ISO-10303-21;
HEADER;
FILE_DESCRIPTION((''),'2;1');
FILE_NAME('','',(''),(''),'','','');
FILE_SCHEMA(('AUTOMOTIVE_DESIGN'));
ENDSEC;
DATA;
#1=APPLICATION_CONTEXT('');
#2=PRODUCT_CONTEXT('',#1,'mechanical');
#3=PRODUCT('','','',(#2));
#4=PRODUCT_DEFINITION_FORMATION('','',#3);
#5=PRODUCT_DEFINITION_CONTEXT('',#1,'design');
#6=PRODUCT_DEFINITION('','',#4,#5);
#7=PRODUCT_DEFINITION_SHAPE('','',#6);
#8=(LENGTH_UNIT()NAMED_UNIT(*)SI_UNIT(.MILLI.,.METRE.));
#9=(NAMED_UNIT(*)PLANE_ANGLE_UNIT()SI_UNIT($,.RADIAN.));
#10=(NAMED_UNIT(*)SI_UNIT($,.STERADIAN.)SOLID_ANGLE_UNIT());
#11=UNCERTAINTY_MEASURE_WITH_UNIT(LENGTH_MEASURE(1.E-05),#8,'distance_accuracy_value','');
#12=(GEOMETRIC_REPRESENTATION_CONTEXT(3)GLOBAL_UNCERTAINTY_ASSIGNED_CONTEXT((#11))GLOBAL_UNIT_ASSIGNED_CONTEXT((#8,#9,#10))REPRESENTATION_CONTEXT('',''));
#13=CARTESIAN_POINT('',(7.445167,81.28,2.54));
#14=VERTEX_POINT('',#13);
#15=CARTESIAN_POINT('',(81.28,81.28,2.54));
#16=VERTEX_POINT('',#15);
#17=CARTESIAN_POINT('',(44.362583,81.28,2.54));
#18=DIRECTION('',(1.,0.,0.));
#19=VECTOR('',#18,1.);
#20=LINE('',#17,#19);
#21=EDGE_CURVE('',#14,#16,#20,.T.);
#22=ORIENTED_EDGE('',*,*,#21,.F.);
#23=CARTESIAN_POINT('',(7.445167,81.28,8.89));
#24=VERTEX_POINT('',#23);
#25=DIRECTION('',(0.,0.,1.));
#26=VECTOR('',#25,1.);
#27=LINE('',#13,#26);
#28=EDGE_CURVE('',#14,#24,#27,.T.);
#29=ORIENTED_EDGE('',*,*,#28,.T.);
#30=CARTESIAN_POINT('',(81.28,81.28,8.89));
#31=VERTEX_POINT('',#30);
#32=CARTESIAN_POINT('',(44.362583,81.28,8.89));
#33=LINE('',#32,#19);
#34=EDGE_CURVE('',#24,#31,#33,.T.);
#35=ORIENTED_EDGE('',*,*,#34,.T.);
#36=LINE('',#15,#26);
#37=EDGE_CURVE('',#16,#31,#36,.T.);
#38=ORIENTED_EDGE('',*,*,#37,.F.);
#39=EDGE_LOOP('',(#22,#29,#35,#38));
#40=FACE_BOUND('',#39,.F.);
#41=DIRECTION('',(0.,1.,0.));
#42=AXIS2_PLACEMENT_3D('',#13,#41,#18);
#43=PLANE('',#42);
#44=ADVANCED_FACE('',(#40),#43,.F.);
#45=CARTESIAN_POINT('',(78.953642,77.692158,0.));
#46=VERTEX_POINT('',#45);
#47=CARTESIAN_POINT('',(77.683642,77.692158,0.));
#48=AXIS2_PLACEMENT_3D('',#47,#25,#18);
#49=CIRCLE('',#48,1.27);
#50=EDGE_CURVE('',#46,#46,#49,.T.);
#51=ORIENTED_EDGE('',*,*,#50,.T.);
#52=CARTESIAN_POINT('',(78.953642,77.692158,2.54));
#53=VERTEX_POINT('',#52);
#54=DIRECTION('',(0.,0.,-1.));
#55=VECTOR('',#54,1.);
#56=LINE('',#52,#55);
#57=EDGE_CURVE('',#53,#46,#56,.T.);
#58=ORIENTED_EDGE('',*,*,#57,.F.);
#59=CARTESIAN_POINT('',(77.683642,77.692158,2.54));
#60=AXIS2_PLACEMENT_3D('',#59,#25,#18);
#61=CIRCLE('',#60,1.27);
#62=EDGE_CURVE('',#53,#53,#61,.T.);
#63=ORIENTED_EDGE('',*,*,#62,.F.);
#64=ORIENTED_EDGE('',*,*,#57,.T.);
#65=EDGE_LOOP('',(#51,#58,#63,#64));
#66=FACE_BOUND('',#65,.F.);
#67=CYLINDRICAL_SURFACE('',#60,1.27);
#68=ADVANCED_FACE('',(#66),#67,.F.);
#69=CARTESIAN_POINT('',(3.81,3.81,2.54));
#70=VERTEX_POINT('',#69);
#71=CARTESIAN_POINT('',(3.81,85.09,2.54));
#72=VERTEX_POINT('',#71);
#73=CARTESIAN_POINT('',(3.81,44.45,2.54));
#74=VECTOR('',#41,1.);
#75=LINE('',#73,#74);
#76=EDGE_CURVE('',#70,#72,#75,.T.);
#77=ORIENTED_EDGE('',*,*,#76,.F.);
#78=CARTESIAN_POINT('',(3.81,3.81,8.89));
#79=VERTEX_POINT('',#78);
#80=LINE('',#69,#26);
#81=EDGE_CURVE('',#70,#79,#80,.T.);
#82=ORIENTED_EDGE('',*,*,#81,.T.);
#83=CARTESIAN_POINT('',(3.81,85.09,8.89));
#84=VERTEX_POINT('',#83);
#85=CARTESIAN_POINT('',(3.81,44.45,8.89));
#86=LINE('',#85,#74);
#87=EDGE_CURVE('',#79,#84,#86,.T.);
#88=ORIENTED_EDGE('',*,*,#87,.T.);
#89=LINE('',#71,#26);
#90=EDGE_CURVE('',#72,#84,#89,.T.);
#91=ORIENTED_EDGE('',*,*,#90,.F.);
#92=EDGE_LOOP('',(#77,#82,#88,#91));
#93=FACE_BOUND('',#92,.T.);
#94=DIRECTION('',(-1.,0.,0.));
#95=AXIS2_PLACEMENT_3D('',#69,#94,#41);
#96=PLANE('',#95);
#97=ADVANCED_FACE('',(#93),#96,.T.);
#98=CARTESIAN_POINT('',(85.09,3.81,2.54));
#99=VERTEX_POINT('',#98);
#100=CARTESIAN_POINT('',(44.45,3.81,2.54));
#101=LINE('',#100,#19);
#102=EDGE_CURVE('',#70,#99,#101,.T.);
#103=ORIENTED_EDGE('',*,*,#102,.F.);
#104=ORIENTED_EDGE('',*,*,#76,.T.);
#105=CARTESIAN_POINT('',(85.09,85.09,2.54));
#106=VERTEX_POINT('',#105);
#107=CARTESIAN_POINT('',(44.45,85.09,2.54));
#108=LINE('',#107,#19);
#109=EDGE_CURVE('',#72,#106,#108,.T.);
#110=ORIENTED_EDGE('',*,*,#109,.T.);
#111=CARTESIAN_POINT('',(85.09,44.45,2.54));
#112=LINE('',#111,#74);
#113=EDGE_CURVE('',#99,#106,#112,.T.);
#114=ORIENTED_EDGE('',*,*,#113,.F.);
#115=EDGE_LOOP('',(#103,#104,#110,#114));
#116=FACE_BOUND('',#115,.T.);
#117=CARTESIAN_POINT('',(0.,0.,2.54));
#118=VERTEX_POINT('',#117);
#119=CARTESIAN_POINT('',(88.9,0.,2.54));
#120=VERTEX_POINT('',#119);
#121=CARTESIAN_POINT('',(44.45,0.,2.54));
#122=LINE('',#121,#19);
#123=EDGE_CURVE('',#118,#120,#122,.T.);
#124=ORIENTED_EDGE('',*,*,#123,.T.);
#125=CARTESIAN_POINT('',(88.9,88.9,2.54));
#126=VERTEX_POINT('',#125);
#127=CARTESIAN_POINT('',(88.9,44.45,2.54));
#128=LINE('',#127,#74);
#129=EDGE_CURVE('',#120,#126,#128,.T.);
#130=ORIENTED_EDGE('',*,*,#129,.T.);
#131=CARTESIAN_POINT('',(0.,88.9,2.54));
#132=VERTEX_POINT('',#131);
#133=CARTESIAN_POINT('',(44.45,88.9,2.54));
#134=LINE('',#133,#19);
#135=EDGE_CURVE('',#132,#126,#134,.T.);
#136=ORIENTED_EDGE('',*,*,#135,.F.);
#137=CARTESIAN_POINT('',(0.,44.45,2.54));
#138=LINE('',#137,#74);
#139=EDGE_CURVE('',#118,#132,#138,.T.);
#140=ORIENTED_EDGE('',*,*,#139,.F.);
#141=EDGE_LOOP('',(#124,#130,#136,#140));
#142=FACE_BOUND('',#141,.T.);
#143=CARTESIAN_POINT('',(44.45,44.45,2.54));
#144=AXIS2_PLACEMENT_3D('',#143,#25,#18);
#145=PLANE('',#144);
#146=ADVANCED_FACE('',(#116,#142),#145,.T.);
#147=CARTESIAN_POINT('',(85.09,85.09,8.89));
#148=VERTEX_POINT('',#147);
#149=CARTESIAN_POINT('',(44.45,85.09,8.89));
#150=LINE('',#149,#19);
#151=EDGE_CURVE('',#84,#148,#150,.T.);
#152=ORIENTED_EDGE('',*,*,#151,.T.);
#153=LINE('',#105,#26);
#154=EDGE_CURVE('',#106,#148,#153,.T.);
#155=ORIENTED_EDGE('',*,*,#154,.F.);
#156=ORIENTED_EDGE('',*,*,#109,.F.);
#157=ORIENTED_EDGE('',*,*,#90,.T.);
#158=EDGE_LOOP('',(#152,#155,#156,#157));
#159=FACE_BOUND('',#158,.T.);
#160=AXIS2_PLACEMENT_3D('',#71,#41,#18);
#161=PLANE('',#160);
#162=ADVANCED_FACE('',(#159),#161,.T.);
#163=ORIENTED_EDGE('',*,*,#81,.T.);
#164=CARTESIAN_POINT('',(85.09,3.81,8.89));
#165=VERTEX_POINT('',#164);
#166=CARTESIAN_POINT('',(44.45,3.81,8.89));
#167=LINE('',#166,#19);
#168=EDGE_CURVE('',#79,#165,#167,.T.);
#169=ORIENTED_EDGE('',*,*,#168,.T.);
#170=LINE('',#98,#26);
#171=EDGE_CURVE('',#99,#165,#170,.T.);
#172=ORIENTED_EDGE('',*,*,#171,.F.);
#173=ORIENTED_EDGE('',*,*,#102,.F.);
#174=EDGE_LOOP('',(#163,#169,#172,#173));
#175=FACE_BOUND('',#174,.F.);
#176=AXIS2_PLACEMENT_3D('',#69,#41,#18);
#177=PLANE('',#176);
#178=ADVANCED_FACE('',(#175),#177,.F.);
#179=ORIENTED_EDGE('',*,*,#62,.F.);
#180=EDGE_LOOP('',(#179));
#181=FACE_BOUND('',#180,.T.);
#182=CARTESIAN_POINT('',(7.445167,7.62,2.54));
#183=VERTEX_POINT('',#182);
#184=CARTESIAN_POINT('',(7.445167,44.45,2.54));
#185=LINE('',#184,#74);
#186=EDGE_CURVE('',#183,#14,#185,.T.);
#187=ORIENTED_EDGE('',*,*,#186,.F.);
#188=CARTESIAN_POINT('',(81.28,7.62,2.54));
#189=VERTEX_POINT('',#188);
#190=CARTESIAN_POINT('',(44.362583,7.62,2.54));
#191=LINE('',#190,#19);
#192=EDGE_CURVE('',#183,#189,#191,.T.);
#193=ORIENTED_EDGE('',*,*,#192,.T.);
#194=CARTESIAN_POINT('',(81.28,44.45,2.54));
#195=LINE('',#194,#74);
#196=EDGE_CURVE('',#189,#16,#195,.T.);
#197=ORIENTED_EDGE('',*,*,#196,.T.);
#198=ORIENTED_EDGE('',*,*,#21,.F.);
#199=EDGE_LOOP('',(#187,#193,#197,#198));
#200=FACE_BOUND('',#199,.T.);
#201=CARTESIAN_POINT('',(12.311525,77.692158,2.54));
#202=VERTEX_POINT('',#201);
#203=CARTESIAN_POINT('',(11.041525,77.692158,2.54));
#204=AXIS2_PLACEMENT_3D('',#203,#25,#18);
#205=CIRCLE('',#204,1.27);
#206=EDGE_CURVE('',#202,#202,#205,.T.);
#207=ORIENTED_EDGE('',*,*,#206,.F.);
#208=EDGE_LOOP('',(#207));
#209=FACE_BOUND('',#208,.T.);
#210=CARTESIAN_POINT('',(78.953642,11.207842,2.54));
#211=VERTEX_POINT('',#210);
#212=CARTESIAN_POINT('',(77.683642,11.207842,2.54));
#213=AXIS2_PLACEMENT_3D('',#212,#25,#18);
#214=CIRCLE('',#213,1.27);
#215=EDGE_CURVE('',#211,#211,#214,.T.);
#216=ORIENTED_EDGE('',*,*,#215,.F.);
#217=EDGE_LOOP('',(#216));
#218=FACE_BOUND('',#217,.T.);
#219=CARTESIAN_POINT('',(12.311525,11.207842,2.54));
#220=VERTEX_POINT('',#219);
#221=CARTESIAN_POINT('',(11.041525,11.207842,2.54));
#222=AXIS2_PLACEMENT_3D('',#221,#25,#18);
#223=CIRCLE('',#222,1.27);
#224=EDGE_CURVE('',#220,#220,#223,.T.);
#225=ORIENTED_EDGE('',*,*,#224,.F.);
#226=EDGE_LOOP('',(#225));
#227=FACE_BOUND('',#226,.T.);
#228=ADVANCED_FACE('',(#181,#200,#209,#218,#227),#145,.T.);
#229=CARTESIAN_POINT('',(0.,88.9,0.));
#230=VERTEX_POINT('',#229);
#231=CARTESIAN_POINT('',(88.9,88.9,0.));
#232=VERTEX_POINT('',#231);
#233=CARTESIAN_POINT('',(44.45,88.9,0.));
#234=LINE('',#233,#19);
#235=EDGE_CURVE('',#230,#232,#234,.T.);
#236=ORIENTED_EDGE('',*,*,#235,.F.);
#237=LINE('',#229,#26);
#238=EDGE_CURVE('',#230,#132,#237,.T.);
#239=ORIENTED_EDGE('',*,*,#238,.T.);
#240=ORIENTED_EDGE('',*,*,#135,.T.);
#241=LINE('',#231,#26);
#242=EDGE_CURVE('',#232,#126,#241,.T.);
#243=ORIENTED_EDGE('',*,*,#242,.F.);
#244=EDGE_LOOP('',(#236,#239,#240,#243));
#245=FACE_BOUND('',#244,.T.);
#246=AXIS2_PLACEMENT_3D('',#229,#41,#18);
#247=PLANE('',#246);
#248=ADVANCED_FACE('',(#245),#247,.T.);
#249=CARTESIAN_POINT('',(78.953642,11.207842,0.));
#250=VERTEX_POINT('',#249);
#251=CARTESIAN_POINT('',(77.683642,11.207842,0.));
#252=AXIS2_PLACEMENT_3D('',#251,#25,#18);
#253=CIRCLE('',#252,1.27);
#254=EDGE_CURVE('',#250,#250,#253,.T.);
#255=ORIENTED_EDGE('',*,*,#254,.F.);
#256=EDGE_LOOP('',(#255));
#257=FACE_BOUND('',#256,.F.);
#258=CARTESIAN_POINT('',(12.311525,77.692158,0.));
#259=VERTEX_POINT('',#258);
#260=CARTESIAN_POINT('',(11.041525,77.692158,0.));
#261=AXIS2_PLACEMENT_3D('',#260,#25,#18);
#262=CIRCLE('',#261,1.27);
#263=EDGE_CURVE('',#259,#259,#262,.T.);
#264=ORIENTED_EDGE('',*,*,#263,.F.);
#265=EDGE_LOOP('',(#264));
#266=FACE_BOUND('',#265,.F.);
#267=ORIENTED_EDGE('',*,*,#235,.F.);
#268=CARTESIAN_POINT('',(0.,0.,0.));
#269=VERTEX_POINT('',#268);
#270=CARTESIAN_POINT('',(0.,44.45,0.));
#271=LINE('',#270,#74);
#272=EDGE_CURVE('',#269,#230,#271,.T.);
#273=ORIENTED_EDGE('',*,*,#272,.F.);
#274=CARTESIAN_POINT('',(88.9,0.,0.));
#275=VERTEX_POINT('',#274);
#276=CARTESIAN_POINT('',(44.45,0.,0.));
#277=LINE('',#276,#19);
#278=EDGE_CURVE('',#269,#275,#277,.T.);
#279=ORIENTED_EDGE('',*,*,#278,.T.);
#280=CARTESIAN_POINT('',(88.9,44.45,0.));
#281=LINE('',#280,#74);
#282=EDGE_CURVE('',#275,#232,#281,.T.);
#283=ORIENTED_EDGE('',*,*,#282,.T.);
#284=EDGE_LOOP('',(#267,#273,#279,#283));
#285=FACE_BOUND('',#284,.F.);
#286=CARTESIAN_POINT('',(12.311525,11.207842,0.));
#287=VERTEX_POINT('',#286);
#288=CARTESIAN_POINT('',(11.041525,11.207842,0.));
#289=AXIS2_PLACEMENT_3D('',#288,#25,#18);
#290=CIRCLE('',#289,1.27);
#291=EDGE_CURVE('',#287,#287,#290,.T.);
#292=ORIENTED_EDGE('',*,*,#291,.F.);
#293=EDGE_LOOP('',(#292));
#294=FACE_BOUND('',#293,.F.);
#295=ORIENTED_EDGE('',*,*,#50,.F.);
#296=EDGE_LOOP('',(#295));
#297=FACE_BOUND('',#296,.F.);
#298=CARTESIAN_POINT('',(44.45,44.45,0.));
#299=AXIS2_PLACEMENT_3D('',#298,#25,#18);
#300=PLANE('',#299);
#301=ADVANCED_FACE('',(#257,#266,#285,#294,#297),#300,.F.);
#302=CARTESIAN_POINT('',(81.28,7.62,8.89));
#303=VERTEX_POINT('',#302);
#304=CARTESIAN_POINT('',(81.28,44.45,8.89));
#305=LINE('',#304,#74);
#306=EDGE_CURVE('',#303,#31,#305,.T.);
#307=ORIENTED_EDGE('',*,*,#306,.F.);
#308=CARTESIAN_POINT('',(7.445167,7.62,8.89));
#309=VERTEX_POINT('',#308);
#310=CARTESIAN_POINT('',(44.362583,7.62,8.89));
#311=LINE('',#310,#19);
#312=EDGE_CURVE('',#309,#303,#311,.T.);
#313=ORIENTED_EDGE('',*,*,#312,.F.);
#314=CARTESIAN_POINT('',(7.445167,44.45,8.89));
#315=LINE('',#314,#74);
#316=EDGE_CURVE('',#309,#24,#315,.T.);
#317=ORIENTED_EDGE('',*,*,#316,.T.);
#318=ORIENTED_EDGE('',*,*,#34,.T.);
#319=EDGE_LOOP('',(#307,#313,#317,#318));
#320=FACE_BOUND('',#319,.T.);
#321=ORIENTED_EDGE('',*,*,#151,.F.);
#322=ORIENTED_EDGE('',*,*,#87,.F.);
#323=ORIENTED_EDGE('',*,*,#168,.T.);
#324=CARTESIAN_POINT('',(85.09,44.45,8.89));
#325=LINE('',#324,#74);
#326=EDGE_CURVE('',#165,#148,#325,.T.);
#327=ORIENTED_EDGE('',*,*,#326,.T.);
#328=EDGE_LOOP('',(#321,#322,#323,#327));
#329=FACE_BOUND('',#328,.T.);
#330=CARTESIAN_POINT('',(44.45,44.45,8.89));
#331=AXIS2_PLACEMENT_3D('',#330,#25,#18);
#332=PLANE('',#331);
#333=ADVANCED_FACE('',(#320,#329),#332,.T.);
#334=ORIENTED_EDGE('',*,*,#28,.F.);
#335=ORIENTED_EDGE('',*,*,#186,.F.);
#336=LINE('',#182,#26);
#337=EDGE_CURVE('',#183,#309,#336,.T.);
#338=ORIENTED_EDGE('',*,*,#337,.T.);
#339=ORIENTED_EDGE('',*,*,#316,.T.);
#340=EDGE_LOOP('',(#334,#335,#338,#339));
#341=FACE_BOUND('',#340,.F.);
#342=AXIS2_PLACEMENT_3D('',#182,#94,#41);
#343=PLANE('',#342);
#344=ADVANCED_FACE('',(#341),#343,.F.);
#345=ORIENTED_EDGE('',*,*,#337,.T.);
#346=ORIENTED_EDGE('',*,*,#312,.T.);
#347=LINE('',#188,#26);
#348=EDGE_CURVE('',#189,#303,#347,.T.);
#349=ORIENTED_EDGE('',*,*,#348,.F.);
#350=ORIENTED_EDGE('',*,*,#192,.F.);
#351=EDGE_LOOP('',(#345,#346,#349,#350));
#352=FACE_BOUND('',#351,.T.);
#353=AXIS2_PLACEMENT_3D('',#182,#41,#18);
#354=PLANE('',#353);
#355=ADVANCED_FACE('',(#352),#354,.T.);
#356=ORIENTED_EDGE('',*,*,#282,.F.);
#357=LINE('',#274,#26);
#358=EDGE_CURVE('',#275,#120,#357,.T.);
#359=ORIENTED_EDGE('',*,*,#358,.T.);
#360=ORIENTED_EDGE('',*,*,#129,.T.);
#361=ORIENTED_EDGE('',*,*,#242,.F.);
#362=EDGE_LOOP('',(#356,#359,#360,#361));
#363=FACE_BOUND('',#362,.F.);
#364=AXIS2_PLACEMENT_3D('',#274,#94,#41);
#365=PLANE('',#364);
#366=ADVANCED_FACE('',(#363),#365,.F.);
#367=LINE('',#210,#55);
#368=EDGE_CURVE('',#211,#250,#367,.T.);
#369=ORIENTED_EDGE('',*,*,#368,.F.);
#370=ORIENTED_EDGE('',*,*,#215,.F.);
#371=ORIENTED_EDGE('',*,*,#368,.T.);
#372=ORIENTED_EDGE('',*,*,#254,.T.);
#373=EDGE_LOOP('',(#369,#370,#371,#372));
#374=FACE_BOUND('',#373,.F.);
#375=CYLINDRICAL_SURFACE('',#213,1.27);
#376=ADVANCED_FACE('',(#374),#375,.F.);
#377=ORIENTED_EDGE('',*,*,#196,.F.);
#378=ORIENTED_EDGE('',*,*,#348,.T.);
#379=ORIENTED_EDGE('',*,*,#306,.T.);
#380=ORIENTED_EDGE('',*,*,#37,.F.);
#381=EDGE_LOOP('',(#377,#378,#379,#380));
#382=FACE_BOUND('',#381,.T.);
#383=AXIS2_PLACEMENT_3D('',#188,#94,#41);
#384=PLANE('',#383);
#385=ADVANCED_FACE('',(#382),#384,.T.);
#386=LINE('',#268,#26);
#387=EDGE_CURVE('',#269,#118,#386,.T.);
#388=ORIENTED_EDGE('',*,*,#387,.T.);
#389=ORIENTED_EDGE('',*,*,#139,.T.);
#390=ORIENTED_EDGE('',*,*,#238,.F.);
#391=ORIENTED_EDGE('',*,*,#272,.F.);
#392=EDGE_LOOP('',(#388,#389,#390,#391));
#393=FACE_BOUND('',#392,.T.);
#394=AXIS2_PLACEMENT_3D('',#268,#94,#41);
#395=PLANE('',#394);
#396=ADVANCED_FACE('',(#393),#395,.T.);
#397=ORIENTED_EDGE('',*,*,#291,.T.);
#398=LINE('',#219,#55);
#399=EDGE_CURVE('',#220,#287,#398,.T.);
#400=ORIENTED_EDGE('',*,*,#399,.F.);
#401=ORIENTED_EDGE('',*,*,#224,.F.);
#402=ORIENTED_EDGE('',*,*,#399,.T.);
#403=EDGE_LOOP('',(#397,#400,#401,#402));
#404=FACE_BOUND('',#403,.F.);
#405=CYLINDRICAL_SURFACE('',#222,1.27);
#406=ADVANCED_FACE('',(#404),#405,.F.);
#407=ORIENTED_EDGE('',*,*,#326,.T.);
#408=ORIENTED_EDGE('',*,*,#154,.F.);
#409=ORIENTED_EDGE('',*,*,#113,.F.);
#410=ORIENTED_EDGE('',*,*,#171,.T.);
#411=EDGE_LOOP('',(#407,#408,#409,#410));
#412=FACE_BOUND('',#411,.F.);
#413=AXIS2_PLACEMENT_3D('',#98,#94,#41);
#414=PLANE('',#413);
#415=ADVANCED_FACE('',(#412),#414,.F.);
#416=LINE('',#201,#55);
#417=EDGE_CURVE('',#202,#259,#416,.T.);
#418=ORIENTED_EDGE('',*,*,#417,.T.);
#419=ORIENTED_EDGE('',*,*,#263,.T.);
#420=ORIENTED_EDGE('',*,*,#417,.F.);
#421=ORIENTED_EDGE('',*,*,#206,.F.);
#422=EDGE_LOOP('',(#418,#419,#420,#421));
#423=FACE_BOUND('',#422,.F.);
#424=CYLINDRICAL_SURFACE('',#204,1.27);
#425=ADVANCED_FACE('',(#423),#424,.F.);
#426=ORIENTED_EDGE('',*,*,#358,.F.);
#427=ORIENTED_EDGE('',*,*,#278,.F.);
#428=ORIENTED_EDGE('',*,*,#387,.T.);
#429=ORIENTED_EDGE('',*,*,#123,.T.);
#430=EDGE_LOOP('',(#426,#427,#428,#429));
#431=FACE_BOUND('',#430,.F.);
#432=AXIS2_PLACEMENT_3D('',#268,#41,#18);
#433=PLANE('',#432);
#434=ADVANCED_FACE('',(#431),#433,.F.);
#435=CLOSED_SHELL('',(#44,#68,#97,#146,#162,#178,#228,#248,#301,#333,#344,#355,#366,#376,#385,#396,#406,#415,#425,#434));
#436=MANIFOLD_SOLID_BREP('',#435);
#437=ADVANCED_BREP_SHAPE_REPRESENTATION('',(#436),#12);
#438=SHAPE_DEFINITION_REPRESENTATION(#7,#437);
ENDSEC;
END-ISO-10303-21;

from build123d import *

# Parameters (mm, degrees)
F0_W     = 88.9
F0_H     = 88.9
F1_DEPTH = 2.54
F2_W     = 81.28
F2_H     = 81.28
F2_W_2   = 73.834833
F2_H_2   = 73.66
F3_DEPTH = 6.35
F4_R     = 1.27
F5_DEPTH = 2.541


with BuildPart() as f1:
    # F0 (on Top) → F1 (new body)
    with BuildSketch(Plane.XY):
        with Locations((44.45, 44.45)):
            Rectangle(F0_W, F0_H)
    extrude(amount=F1_DEPTH)

    # F2 (on face) → F3 (join)
    with BuildSketch(Plane.XY.offset(2.54)):
        with Locations((44.45, 44.45)):
            Rectangle(F2_W, F2_H)
        with Locations((44.362583, 44.45)):
            Rectangle(F2_W_2, F2_H_2, mode=Mode.SUBTRACT)
    extrude(amount=F3_DEPTH)

    # F4 (on face) → F5 (cut, through all)
    with BuildSketch(Plane.XY.offset(2.54)):
        with Locations((11.041525, 77.692158)):
            Circle(F4_R)
        with Locations((77.683642, 77.692158)):
            Circle(F4_R)
        with Locations((77.683642, 11.207842)):
            Circle(F4_R)
        with Locations((11.041525, 11.207842)):
            Circle(F4_R)
    extrude(amount=-F5_DEPTH, mode=Mode.SUBTRACT)


solid = f1.part
